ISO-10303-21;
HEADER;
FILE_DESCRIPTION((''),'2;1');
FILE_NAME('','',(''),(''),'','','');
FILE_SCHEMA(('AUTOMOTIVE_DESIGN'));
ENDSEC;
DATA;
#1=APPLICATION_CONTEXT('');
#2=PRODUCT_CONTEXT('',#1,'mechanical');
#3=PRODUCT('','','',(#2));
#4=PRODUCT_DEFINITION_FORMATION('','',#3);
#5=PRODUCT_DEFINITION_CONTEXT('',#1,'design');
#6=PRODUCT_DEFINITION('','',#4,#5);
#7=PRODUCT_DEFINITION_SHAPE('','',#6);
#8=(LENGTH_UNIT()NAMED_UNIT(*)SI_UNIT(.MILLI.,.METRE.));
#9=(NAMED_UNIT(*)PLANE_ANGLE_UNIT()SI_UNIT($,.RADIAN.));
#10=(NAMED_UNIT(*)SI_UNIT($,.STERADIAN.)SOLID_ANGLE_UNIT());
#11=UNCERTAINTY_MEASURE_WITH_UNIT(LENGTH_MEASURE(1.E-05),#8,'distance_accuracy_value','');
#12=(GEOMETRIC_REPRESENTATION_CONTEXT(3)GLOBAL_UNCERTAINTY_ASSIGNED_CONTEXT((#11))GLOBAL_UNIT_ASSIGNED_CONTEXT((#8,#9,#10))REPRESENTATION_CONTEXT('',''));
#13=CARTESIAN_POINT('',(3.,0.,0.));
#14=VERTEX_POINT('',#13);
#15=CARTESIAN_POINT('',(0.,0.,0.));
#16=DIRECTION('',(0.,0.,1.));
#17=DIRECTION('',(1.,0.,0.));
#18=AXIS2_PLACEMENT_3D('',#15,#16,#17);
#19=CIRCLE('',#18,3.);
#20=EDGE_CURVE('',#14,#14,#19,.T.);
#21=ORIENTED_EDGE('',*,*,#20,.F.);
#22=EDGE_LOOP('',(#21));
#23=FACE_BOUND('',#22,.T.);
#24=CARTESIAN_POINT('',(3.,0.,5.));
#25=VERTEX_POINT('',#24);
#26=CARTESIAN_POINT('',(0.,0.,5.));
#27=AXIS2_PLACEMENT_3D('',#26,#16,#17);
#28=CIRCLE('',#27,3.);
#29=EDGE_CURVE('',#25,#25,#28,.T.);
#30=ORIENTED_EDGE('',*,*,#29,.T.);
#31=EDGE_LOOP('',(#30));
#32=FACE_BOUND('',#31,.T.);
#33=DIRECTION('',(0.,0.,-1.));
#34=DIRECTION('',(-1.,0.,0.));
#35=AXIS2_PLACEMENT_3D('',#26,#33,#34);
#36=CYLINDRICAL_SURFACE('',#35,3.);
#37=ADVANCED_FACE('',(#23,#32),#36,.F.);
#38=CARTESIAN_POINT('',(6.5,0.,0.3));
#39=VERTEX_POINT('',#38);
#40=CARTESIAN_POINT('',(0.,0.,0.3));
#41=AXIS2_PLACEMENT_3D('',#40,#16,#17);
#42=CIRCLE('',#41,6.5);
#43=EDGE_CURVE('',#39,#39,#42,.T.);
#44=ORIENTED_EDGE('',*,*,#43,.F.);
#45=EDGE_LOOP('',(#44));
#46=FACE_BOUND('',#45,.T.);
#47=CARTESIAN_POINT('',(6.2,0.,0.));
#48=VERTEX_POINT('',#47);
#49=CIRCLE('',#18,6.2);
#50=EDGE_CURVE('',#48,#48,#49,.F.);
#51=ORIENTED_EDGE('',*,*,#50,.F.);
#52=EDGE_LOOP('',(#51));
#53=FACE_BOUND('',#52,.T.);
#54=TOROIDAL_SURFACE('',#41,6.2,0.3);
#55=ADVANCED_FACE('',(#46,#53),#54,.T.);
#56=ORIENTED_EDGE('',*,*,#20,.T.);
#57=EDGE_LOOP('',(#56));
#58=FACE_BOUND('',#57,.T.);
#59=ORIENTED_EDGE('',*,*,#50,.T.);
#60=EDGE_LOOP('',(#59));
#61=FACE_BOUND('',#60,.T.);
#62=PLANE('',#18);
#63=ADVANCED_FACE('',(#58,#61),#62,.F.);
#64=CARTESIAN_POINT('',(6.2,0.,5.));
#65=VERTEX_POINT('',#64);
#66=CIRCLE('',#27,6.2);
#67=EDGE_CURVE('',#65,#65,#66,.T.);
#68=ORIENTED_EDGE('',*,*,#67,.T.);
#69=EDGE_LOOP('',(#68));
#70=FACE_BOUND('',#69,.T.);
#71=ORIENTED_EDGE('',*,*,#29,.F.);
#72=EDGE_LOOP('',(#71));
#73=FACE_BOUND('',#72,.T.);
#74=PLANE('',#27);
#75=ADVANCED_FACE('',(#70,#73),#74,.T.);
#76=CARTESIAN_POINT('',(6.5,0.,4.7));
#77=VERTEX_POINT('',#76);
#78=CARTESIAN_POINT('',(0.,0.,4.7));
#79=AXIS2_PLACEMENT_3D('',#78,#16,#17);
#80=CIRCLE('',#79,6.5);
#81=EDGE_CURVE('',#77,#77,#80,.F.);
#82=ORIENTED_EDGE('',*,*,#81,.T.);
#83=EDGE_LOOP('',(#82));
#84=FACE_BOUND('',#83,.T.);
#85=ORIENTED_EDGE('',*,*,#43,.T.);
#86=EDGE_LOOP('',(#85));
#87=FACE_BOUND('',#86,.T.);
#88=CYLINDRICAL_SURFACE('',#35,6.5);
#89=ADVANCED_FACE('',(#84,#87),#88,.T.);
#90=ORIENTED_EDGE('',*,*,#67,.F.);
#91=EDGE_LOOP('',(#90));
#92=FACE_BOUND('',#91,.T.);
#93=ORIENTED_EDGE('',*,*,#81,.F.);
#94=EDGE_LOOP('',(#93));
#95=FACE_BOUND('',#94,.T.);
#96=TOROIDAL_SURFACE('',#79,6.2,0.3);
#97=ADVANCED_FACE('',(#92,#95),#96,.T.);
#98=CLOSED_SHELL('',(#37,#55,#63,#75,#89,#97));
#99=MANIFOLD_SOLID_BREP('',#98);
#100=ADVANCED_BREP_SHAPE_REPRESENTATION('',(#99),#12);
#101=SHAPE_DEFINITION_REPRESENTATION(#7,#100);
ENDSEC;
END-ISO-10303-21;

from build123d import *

# Parameters (mm, degrees)
SKETCH1_R           = 6.5
SKETCH1_R_2         = 3
BOSS_EXTRUDE1_DEPTH = 5
FILLET1_R           = 0.3


with BuildPart() as part:
    # Sketch1 → Boss-Extrude1 (new body)
    with BuildSketch(Plane.XY):
        Circle(SKETCH1_R)
        Circle(SKETCH1_R_2, mode=Mode.SUBTRACT)
    extrude(amount=BOSS_EXTRUDE1_DEPTH)

    # Fillet1
    fillet1_edges = [part.edges().sort_by_distance(p)[0] for p in [
        (-6.5, 0, 0),
        (-6.5, 0, 5),
    ]]
    fillet(fillet1_edges, radius=FILLET1_R)


solid = part.part
